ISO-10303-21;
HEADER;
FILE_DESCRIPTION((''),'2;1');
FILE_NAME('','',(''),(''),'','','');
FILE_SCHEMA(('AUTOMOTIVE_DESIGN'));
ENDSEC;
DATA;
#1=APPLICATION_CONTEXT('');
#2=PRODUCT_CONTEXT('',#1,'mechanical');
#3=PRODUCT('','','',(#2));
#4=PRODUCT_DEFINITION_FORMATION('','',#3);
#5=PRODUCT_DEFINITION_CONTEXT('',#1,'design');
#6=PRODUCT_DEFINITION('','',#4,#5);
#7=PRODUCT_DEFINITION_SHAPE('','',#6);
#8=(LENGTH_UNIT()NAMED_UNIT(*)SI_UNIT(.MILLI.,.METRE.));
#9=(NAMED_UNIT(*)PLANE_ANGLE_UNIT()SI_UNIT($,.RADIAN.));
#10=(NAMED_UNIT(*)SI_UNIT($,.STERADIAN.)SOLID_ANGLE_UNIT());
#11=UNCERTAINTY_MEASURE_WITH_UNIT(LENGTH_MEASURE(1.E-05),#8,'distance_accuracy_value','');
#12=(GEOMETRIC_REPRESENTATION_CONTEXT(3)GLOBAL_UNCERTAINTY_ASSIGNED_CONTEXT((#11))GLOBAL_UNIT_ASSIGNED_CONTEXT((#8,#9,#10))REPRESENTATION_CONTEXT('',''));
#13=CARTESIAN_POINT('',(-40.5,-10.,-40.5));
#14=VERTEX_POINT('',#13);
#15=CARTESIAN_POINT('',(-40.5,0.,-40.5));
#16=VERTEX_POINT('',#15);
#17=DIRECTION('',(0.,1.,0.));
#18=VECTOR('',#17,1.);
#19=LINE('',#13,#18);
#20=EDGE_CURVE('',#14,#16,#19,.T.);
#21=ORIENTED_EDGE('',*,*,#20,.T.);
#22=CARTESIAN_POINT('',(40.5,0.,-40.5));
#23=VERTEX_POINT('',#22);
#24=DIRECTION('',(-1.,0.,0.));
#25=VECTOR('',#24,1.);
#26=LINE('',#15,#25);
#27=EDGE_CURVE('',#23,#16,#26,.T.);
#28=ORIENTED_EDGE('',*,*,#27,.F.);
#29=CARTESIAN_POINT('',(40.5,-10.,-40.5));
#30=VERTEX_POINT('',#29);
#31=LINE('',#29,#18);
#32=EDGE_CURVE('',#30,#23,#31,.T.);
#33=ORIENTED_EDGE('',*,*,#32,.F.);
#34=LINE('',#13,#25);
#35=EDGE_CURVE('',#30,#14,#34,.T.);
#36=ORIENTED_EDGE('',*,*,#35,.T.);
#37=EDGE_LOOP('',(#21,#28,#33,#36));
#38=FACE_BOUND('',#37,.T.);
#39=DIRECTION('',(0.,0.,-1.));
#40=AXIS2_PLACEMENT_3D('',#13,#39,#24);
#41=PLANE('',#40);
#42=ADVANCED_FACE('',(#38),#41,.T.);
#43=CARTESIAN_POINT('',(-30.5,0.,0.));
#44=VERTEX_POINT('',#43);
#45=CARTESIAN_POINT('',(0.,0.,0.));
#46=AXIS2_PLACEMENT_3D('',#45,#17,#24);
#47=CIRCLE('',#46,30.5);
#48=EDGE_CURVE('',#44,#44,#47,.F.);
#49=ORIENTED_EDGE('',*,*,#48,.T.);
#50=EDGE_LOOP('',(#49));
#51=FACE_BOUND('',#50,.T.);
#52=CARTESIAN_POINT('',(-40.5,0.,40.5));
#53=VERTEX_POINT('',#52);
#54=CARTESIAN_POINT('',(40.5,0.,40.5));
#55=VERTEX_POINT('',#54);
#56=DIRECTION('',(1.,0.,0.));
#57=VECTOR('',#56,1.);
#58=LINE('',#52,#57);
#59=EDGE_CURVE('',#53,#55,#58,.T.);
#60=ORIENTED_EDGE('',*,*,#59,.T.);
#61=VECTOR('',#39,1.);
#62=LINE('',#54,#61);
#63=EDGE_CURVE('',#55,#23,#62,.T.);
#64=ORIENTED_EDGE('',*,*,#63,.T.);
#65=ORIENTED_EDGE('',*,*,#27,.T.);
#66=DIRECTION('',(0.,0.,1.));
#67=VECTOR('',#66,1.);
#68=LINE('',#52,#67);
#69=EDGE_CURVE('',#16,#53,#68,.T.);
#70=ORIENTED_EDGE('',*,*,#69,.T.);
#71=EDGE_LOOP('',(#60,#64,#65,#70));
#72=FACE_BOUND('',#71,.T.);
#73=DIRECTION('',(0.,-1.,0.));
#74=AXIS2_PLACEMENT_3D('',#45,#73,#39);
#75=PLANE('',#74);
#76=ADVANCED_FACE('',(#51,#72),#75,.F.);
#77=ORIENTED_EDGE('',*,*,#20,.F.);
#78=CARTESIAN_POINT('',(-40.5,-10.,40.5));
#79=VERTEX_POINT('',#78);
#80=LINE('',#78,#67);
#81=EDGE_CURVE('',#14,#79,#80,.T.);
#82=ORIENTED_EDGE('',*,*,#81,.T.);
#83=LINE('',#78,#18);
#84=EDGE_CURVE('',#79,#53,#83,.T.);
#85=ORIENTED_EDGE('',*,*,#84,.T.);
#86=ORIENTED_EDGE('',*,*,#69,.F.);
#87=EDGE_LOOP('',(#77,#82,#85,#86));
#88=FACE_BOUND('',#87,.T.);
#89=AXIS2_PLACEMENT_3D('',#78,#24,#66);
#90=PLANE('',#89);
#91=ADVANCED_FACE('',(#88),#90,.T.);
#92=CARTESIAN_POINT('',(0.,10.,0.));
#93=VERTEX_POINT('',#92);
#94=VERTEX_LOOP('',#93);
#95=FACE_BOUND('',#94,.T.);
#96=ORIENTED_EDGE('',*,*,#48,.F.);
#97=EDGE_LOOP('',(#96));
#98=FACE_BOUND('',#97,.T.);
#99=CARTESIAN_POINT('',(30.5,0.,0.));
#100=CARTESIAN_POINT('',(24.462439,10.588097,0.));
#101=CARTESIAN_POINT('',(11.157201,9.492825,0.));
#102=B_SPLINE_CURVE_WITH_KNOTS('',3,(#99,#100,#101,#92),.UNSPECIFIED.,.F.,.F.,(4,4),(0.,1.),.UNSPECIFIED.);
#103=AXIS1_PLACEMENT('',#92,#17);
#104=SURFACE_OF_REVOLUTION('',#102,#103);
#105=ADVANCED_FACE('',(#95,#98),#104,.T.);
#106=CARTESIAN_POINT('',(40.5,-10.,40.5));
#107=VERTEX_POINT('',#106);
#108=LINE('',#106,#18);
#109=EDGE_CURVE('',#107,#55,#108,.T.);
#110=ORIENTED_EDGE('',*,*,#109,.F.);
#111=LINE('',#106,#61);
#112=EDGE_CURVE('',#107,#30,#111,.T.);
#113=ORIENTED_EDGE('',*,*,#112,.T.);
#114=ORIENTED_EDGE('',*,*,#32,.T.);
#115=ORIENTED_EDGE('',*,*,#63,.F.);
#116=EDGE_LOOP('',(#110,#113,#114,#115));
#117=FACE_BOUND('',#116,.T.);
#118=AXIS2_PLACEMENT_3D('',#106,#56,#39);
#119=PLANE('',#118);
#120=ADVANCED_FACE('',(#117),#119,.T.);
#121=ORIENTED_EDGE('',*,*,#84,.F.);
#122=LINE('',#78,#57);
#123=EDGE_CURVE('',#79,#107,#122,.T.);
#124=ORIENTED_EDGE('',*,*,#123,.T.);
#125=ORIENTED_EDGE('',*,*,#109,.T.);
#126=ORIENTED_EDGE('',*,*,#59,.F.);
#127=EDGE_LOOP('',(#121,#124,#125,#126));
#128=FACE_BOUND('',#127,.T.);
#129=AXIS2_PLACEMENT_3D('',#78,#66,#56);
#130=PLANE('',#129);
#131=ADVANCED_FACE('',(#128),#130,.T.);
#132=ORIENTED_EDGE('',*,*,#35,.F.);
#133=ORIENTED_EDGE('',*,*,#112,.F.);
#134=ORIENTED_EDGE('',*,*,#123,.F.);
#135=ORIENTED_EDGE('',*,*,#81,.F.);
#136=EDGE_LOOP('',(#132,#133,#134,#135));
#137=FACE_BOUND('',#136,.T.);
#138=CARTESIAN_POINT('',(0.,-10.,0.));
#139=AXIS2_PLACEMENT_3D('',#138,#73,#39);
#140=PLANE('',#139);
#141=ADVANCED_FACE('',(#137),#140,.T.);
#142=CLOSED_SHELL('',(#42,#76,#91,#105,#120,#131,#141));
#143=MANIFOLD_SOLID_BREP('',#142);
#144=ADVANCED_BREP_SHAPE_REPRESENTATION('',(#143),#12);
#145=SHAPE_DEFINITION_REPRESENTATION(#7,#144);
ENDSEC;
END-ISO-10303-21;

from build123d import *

# Parameters (mm, degrees)
SKETCH2_W           = 81
SKETCH2_H           = 81
BOSS_EXTRUDE1_DEPTH = 10


with BuildPart() as part:
    # Sketch1 → Revolve1 (revolve)
    with BuildSketch(Plane.XY):
        with BuildLine():
            Line((0, 10), (0, 0))
            Line((0, 0), (30.5, 0))
            add(Edge.make_bspline(
                [(30.5, 0), (24.462439427, 10.588096747), (11.157200838, 9.492825223), (0, 10)],
                knots=[0, 0, 0, 0, 1, 1, 1, 1], degree=3))
        make_face()
    revolve(axis=Axis((0, 10, 0), (0, -1, 0)))

    # Sketch2 → Boss-Extrude1 (add)
    with BuildSketch(Plane(origin=(0, 0, 0), x_dir=(1, 0, 0), z_dir=(0, 1, 0))):
        Rectangle(SKETCH2_W, SKETCH2_H)
    extrude(amount=-BOSS_EXTRUDE1_DEPTH)


solid = part.part
